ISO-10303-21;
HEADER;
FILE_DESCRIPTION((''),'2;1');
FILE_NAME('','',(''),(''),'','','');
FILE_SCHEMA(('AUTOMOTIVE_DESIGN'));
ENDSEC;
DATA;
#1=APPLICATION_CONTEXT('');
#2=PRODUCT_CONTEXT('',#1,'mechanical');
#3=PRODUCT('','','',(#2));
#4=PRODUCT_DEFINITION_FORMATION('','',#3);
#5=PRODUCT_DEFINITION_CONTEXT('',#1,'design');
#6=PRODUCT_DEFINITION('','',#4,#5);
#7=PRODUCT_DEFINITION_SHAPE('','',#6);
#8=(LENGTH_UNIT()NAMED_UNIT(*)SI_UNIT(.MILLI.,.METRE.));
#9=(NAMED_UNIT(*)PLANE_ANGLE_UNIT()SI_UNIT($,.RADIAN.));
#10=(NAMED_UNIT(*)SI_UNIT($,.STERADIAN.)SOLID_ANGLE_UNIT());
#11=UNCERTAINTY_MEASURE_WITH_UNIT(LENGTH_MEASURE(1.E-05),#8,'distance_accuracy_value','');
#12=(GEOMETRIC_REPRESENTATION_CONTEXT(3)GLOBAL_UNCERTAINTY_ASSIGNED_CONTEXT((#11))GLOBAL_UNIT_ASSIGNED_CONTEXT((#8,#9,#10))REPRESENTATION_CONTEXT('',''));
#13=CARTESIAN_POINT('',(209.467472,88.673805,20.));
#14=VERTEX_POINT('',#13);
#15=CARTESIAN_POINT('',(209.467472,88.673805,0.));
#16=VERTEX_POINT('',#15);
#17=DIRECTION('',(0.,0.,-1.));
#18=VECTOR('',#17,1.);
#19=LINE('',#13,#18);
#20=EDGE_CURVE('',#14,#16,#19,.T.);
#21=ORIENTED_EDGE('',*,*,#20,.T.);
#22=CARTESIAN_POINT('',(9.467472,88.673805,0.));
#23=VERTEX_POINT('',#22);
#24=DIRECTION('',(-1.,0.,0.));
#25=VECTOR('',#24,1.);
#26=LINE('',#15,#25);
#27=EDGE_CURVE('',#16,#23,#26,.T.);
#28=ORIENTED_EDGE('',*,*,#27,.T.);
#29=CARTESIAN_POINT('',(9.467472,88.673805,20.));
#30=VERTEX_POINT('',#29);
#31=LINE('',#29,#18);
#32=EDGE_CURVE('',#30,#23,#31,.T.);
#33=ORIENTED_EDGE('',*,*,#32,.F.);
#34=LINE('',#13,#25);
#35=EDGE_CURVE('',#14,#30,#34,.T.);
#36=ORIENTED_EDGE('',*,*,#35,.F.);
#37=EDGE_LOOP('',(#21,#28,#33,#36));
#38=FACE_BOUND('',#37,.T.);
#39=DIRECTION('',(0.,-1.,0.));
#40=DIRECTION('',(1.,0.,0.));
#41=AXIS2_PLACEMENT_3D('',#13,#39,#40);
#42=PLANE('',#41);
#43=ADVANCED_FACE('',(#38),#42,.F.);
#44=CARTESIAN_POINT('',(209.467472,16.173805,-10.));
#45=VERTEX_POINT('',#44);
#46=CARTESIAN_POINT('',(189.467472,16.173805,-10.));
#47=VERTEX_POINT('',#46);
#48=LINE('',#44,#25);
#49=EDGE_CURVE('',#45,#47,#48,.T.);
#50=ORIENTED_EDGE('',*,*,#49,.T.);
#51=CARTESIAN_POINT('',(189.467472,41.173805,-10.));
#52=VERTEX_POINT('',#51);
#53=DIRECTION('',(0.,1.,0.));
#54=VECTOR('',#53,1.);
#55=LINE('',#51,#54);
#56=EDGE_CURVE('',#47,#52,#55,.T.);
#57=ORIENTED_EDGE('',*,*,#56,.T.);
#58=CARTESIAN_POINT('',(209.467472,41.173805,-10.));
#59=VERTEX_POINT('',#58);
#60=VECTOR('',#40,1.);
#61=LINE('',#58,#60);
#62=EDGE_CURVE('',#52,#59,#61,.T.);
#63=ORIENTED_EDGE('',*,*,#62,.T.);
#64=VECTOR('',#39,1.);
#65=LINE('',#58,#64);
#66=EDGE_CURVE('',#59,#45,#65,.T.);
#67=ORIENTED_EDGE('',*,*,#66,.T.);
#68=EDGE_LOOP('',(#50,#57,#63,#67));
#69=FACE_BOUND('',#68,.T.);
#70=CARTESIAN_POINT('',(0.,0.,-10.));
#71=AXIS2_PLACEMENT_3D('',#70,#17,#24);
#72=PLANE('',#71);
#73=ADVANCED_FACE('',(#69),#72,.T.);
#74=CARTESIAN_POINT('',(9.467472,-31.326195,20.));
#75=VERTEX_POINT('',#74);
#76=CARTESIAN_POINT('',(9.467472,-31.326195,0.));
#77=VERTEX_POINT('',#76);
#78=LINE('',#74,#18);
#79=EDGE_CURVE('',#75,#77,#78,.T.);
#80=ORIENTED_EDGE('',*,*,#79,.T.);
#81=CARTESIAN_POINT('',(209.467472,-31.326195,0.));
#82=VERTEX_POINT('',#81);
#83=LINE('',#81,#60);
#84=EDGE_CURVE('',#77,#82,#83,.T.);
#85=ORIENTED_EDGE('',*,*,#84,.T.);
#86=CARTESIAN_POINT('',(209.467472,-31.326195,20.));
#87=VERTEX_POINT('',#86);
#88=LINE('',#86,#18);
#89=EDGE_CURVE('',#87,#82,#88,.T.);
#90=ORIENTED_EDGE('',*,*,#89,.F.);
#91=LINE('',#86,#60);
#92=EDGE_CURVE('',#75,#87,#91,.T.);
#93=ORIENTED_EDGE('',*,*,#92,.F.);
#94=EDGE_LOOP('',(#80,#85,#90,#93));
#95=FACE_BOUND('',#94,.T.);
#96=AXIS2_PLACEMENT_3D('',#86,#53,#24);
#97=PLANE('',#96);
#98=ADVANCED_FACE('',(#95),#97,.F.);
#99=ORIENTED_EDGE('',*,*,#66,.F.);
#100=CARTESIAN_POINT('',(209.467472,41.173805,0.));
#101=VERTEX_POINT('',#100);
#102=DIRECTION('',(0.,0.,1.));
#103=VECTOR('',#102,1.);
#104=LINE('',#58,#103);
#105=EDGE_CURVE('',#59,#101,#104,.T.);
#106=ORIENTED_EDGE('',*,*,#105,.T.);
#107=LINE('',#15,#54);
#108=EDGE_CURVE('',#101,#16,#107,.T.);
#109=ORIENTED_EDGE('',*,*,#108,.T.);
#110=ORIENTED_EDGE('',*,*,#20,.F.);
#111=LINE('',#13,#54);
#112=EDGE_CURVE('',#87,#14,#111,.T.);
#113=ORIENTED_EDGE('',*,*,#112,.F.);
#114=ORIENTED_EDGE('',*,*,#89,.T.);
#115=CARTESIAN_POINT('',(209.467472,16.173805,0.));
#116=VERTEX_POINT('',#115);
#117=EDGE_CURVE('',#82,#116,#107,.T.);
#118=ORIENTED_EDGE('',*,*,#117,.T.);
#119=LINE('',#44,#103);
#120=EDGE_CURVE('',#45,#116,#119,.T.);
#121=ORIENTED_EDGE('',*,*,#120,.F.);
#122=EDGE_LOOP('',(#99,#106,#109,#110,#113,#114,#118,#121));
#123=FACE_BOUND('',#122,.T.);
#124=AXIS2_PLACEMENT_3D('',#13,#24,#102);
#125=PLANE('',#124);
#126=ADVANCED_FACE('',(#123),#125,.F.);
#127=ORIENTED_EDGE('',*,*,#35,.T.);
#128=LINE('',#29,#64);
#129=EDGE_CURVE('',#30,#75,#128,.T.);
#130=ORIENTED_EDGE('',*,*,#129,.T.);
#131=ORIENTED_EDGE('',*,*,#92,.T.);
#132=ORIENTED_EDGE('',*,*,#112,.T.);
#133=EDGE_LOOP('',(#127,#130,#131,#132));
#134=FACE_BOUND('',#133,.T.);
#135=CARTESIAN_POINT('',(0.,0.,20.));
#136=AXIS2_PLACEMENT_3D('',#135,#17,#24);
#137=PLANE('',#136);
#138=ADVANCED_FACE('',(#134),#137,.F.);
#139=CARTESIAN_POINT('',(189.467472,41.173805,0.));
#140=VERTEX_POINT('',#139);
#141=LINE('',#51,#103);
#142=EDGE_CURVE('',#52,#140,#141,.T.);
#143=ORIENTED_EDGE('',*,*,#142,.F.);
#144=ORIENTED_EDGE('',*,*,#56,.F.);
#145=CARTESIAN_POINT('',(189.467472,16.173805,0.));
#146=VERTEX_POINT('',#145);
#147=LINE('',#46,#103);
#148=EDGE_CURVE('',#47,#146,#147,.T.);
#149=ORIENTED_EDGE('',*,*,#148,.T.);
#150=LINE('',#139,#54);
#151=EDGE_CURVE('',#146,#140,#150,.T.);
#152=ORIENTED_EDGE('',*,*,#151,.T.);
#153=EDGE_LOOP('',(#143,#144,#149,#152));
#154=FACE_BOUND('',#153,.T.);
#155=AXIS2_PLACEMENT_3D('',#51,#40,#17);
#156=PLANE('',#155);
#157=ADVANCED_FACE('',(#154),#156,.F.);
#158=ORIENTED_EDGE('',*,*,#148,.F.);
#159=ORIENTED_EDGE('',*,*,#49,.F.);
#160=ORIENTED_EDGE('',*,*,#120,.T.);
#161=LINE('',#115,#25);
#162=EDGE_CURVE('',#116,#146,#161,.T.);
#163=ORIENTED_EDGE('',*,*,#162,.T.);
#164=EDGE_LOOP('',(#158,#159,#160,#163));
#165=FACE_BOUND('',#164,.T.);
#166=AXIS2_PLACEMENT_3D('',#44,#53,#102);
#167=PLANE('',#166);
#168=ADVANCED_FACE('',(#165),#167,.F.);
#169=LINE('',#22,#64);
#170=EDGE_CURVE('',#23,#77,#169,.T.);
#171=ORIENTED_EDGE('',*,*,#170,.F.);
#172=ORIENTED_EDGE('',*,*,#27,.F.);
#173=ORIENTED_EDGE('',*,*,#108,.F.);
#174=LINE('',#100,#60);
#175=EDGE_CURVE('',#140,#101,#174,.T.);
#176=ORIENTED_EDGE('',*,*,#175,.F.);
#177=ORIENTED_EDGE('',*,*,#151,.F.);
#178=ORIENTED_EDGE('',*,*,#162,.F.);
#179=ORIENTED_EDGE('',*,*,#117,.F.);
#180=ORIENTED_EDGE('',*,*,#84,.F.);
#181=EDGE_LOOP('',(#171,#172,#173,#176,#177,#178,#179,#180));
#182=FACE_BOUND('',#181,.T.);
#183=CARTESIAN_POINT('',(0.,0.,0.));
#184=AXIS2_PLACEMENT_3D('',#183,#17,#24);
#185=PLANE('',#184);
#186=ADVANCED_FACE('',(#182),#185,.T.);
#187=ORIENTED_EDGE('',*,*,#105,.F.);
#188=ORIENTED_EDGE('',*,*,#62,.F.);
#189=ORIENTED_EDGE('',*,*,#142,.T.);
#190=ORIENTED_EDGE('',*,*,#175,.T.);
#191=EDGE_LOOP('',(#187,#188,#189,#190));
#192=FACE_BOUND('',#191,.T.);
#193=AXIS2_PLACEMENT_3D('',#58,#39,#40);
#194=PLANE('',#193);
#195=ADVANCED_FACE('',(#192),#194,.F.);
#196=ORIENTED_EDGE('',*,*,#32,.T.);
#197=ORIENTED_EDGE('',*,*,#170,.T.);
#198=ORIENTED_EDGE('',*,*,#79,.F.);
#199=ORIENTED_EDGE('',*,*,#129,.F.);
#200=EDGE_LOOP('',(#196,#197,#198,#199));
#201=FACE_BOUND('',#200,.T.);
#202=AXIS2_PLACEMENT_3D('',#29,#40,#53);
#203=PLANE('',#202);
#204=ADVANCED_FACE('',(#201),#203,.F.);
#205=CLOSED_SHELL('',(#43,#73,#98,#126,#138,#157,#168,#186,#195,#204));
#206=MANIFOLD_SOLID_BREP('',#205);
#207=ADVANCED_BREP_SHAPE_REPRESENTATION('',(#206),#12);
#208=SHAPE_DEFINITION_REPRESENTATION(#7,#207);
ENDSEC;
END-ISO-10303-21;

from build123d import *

# Parameters (mm, degrees)
ESQUISSE1_W        = 200
ESQUISSE1_H        = 120
BOSS_EXTRU_1_DEPTH = 20
ESQUISSE2_W        = 20
ESQUISSE2_H        = 25
BOSS_EXTRU_2_DEPTH = 10


with BuildPart() as part:
    # Esquisse1 → Boss.-Extru.1 (new body)
    with BuildSketch(Plane.XY):
        with Locations((109.46747226, 28.673805023)):
            Rectangle(ESQUISSE1_W, ESQUISSE1_H)
    extrude(amount=BOSS_EXTRU_1_DEPTH)

    # Esquisse2 → Boss.-Extru.2 (add)
    with BuildSketch(Plane(origin=(0, 0, 0), x_dir=(-1, 0, 0), z_dir=(0, 0, -1))):
        with Locations((-199.46747226, 28.673805023)):
            Rectangle(ESQUISSE2_W, ESQUISSE2_H)
    extrude(amount=BOSS_EXTRU_2_DEPTH)


solid = part.part
